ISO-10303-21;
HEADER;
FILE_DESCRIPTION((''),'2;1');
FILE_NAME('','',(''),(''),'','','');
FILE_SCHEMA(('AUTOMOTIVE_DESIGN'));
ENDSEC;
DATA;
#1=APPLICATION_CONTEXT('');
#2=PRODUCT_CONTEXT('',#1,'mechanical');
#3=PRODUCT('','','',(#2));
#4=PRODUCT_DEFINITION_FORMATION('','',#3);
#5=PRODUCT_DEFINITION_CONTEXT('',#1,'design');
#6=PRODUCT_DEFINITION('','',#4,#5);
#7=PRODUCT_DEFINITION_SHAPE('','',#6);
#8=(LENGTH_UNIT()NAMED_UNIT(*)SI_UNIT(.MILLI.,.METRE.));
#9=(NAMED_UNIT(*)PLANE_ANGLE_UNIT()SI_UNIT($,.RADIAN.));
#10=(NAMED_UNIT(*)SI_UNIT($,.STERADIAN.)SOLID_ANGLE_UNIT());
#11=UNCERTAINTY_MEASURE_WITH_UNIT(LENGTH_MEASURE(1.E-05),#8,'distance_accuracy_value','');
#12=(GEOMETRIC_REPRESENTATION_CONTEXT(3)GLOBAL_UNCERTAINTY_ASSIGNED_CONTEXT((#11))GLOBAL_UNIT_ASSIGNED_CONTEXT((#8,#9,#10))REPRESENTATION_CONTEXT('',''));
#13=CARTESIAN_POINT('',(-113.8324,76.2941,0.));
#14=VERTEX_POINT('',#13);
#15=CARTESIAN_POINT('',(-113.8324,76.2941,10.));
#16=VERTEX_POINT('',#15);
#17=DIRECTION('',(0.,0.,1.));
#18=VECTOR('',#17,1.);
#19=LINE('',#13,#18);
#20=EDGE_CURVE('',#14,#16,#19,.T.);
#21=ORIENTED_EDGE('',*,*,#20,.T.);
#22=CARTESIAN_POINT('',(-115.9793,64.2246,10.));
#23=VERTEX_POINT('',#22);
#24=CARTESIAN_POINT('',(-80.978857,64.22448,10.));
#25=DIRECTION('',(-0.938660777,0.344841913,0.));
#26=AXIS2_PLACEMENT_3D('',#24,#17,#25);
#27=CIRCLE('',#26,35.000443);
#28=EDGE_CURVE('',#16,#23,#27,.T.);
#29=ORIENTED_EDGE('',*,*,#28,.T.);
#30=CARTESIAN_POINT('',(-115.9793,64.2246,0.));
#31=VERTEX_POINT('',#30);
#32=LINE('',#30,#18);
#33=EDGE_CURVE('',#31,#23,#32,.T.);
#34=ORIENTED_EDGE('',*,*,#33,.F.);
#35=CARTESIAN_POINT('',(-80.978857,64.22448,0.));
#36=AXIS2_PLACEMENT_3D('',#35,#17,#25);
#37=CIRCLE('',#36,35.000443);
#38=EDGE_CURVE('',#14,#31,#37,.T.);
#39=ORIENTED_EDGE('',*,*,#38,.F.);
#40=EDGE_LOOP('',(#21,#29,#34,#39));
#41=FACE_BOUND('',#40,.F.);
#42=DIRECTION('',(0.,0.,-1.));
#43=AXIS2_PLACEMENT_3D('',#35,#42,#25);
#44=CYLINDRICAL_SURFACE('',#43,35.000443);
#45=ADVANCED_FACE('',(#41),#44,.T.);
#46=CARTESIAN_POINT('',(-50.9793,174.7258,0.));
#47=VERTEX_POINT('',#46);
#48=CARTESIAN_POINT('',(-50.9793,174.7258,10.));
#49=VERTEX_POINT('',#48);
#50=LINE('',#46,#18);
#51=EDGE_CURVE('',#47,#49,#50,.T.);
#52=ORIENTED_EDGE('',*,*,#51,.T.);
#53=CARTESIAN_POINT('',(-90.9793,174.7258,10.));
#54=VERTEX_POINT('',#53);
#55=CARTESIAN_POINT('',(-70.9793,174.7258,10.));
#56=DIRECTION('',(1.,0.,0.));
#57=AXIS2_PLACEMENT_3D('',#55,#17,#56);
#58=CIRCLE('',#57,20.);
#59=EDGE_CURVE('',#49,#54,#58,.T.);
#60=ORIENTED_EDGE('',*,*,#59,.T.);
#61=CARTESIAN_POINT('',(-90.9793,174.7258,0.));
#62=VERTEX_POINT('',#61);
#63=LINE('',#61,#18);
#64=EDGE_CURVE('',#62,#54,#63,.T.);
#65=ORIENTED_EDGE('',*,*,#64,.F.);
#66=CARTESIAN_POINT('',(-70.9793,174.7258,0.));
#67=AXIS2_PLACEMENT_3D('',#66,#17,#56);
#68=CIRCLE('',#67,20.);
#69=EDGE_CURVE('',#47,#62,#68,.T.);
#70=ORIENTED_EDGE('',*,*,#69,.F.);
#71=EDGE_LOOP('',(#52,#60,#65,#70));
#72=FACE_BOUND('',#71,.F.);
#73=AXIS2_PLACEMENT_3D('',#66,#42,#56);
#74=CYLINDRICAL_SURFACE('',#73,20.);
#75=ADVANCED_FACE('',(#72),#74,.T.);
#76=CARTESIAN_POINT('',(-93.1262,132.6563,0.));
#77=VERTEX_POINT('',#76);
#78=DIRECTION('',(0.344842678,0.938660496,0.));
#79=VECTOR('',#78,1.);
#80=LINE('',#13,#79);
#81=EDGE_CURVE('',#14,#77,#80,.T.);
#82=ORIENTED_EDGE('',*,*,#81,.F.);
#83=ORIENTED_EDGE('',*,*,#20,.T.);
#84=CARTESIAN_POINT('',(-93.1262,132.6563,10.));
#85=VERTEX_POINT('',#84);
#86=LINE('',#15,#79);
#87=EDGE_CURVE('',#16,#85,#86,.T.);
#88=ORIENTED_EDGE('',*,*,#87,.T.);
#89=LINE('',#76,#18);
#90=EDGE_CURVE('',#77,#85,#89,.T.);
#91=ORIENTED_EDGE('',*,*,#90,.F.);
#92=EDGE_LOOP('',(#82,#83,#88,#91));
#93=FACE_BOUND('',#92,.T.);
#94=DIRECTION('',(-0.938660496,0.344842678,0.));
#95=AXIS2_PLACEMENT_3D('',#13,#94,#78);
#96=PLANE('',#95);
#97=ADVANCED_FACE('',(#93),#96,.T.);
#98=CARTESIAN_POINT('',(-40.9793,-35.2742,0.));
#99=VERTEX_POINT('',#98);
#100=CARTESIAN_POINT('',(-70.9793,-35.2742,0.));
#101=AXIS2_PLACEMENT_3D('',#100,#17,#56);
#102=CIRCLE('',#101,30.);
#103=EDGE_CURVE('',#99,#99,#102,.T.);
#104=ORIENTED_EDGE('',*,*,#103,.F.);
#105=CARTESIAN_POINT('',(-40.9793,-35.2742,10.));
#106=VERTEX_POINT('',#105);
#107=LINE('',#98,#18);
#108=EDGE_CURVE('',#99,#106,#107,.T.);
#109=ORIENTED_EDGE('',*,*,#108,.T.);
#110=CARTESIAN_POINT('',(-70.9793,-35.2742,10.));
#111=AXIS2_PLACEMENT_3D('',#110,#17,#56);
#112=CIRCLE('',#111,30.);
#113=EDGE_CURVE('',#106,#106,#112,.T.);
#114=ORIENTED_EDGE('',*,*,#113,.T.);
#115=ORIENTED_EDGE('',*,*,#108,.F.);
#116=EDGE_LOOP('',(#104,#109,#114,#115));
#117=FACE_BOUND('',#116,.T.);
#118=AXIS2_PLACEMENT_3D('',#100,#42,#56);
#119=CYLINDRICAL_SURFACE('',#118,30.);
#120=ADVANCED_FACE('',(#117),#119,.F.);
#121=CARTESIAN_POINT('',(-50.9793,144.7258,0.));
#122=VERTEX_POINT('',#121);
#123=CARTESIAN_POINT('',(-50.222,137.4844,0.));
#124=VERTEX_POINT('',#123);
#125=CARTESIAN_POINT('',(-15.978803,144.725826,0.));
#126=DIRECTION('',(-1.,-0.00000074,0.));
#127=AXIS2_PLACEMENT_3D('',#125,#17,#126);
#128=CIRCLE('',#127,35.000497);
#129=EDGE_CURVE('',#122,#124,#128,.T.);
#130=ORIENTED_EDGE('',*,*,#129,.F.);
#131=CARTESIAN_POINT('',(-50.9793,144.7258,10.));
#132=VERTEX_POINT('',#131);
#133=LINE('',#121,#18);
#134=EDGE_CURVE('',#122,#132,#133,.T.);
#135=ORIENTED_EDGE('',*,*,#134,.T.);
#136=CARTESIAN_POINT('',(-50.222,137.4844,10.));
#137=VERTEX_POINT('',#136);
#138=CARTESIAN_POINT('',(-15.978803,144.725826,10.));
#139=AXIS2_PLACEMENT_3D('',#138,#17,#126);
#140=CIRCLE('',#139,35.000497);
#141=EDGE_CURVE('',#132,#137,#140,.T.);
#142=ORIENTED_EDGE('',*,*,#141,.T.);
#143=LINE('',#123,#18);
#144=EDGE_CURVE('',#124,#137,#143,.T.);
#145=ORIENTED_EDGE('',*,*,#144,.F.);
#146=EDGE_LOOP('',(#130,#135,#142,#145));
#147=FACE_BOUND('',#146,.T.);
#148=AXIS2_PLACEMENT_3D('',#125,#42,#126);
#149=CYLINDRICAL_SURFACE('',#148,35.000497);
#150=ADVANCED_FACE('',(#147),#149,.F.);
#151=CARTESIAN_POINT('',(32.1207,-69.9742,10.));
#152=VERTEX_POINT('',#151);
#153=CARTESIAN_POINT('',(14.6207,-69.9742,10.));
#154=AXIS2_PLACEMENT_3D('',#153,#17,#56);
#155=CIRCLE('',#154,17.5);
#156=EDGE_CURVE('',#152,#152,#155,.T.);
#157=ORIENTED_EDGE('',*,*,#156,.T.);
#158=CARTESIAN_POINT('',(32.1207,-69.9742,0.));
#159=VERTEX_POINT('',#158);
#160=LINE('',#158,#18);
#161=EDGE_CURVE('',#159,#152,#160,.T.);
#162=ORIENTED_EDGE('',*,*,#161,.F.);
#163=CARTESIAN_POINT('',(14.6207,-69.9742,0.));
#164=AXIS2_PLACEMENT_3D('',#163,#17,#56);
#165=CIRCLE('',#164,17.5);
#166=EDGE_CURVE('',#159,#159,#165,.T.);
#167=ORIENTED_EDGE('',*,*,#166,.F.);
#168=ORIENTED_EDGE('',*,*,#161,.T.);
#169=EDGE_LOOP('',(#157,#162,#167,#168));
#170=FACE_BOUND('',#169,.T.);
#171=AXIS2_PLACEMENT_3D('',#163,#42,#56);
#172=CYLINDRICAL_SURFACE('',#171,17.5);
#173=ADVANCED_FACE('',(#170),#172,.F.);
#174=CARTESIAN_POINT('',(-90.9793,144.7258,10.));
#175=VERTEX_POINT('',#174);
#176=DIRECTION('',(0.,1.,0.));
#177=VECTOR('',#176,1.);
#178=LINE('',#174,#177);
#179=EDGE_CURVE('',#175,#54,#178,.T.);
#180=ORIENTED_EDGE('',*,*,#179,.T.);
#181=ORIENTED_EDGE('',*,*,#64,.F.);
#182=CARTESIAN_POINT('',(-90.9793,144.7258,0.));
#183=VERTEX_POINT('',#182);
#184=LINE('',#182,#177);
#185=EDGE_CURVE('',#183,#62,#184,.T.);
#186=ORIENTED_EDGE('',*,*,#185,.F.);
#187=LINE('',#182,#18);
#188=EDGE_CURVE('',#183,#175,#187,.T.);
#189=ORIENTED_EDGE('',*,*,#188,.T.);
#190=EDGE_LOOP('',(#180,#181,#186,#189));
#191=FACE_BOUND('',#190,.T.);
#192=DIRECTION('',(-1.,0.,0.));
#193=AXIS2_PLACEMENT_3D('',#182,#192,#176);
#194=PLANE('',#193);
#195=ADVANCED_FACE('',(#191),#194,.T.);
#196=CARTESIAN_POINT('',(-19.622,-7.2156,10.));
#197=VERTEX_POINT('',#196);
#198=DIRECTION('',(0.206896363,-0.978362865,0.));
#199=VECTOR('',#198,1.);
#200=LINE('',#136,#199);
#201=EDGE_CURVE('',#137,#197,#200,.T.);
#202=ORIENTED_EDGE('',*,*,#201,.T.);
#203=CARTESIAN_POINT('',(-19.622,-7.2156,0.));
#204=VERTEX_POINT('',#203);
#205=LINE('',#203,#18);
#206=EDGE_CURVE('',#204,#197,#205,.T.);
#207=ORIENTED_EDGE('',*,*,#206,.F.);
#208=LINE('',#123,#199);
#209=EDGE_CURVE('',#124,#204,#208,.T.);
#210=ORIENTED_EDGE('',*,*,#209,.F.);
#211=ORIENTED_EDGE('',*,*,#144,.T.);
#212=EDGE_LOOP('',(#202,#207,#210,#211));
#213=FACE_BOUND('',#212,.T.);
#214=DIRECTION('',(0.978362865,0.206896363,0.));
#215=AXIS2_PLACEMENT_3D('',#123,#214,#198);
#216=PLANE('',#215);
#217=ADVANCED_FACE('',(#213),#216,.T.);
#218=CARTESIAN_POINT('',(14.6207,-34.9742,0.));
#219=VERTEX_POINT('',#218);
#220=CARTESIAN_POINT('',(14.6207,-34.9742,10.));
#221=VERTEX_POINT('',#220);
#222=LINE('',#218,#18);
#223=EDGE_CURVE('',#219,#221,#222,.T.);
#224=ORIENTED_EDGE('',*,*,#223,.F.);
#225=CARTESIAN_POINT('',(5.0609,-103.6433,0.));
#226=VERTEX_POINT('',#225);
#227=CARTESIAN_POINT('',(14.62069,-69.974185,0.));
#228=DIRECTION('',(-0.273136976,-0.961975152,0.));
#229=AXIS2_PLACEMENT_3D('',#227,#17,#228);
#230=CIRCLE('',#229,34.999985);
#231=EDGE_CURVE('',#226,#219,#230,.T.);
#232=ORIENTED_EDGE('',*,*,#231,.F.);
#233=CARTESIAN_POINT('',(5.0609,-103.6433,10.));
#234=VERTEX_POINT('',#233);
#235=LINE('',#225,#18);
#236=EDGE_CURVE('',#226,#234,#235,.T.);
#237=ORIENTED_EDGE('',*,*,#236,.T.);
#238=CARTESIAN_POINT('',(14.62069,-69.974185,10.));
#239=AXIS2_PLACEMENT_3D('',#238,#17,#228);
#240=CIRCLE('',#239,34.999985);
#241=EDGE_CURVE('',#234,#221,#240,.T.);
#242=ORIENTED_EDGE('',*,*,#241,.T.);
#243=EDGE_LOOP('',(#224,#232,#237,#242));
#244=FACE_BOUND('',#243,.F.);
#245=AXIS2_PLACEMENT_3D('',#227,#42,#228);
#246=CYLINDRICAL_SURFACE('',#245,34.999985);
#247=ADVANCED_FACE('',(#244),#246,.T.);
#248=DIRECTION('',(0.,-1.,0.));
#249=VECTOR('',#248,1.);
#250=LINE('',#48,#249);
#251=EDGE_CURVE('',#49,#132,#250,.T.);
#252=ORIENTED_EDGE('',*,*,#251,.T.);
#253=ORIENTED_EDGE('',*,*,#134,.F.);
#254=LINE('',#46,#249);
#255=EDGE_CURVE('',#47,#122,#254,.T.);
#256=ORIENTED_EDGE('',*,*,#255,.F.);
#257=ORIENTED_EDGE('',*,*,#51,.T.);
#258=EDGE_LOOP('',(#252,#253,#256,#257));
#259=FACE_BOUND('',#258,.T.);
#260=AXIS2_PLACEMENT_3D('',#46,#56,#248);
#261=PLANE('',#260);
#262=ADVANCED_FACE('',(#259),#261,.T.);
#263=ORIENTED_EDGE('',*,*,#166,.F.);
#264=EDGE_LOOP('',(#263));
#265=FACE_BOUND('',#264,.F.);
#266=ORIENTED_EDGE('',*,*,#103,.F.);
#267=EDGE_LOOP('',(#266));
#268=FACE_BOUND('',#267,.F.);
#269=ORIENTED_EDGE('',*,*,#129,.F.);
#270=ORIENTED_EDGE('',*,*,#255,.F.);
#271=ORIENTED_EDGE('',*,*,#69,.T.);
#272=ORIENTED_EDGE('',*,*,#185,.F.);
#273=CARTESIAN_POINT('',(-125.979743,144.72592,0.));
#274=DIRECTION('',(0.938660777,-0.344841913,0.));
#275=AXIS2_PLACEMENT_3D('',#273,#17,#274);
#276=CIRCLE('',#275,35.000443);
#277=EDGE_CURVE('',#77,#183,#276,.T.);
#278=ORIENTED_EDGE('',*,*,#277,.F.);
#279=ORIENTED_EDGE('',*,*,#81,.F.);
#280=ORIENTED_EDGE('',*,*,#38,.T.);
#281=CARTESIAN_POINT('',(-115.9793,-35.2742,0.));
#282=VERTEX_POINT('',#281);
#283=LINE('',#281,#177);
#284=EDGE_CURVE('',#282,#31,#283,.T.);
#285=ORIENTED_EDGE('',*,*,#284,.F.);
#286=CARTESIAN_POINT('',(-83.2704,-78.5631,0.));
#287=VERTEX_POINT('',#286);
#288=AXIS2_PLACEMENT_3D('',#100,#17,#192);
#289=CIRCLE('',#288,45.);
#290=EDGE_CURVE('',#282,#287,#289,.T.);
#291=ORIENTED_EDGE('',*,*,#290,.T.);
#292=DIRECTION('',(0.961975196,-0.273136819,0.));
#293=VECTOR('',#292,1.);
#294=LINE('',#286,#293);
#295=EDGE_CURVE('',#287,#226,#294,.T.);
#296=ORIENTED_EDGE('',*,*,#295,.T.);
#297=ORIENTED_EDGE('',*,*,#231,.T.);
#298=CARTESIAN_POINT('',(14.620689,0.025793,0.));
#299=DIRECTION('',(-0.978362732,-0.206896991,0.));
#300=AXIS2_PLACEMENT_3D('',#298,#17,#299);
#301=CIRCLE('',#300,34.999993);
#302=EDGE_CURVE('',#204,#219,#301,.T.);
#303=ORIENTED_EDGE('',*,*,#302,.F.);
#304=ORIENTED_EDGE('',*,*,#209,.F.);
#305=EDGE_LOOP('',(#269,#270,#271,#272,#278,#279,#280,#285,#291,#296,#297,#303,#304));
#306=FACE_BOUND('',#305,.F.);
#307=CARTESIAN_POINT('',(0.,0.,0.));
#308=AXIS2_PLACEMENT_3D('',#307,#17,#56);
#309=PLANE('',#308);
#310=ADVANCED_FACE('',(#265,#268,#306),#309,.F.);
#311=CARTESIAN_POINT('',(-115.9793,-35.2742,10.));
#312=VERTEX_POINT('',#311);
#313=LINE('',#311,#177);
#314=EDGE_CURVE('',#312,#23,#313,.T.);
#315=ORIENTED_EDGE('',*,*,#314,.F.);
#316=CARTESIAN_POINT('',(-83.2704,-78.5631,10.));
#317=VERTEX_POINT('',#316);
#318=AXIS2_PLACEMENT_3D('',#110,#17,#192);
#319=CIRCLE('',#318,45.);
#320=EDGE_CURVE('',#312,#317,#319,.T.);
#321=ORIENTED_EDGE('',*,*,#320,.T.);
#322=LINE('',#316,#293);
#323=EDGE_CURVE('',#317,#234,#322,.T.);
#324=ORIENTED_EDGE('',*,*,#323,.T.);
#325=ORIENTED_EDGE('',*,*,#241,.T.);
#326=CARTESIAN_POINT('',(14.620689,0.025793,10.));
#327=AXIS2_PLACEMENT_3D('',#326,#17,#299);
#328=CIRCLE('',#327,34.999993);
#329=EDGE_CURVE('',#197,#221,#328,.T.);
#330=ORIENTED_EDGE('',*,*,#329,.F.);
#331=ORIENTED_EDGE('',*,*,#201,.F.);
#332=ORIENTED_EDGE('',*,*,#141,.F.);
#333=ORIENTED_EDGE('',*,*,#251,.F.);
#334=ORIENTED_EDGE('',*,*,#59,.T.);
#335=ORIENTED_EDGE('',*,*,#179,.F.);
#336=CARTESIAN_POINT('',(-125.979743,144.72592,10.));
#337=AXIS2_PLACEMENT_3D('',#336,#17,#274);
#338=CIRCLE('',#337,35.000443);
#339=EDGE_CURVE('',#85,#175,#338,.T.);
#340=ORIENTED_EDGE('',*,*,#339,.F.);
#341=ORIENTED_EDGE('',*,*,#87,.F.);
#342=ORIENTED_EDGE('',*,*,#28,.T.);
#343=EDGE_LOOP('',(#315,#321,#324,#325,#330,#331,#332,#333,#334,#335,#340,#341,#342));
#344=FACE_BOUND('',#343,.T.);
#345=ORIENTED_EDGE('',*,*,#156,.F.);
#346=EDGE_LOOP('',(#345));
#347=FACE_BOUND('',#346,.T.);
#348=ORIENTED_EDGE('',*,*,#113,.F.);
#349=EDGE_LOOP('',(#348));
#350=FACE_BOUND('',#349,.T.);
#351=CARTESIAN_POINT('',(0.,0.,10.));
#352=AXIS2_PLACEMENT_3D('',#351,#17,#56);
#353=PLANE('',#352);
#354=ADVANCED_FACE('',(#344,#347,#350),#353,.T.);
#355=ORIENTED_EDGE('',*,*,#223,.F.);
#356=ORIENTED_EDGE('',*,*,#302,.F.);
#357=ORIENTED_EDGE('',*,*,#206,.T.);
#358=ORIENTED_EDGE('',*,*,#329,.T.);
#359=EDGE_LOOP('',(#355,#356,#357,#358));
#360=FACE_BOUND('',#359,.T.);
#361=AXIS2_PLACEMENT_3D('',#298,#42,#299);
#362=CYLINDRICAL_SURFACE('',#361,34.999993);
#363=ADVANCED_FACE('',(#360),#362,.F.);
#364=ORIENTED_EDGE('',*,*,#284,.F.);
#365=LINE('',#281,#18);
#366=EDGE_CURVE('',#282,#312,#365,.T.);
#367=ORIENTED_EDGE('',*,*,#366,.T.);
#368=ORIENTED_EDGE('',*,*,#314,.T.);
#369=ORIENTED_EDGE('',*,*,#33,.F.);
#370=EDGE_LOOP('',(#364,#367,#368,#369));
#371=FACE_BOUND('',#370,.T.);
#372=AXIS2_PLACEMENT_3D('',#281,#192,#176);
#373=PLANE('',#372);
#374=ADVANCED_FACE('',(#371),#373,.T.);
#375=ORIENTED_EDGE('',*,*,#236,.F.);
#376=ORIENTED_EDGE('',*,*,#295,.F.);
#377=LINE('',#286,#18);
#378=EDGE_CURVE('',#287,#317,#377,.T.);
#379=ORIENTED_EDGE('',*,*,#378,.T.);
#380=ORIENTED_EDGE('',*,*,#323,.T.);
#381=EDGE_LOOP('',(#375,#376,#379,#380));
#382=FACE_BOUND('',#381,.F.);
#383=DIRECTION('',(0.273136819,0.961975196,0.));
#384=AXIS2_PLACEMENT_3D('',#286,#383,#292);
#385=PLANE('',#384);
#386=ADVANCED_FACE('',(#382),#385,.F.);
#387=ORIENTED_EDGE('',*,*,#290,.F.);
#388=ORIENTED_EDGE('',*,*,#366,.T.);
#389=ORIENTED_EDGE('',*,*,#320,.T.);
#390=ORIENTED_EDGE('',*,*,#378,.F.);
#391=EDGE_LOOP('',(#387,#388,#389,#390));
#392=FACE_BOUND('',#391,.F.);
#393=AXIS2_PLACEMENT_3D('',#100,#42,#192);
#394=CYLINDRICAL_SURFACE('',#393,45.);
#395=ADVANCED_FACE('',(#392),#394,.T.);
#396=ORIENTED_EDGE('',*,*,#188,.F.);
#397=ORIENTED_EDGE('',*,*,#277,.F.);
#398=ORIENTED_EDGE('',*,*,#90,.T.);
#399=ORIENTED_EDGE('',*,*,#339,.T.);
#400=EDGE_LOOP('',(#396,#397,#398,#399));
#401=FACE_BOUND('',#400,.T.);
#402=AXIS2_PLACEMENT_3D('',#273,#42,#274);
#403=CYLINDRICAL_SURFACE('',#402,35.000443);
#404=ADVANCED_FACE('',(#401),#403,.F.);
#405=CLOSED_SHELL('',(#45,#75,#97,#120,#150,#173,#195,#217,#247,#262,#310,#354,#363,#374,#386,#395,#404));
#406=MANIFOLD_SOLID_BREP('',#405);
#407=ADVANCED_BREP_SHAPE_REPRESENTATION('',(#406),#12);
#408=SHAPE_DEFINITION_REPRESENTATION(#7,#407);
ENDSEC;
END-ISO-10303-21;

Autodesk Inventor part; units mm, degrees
ref_plane "YZ Plane" through (0, 0, 0) normal (1, 0, 0) x (0, 1, 0)
ref_plane "XZ Plane" through (0, 0, 0) normal (0, 1, 0) x (-1, 0, 0)
ref_plane "XY Plane" through (0, 0, 0) normal (0, 0, 1) x (1, 0, 0)
sketch "Sketch1" plane through (0, 0, 0) normal (0, 0, 1) x (1, 0, 0)
  line L0 (-115.9793, -35.2742) -> (-115.9793, 64.2246)
  arc A0 (-113.8324, 76.2941) -> (-115.9793, 64.2246) centre (-80.9793, 64.2246) ccw
  line L1 (-113.8324, 76.2941) -> (-93.1262, 132.6563)
  arc A1 (-93.1262, 132.6563) -> (-90.9793, 144.7258) centre (-125.9793, 144.7258) ccw
  line L2 (-90.9793, 144.7258) -> (-90.9793, 174.7258)
  arc A2 (-50.9793, 174.7258) -> (-90.9793, 174.7258) centre (-70.9793, 174.7258) ccw
  line L3 (-50.9793, 174.7258) -> (-50.9793, 144.7258)
  arc A3 (-50.9793, 144.7258) -> (-50.222, 137.4844) centre (-15.9793, 144.7258) ccw
  line L4 (-50.222, 137.4844) -> (-19.622, -7.2156)
  arc A4 (-115.9793, -35.2742) -> (-83.2704, -78.5631) centre (-70.9793, -35.2742) ccw
  line L5 (-83.2704, -78.5631) -> (5.0609, -103.6433)
  arc A5 (5.0609, -103.6433) -> (14.6207, -34.9742) centre (14.6207, -69.9742) ccw
  arc A6 (-19.622, -7.2156) -> (14.6207, -34.9742) centre (14.6207, 0.0258) ccw
  circle A7 centre (-70.9793, -35.2742) radius 30
  circle A8 centre (14.6207, -69.9742) radius 17.5
  dimension "d0" = 20
  dimension "d1" = 210
  dimension "d4" = 85.6
  dimension "d5" = 34.7
  dimension "d7" = 35
  dimension "d8" = 35
  dimension "d9" = 35
  dimension "d10" = 35
  dimension "d11" = 45
  dimension "d12" = 35
  dimension "d13" = 100
  dimension "d15" = 35
  dimension "d16" = 60
  dimension "d17" = 180
  dimension "d18" = 180
extrude "Extrusion1" add sketch "Sketch1" along normal blind 10
equation "\"d8\" = d7"
equation "\"d9\" = d7"
equation "\"d10\" = d9"
properties part number "3136 1133 81" material "Steel, Mild"
